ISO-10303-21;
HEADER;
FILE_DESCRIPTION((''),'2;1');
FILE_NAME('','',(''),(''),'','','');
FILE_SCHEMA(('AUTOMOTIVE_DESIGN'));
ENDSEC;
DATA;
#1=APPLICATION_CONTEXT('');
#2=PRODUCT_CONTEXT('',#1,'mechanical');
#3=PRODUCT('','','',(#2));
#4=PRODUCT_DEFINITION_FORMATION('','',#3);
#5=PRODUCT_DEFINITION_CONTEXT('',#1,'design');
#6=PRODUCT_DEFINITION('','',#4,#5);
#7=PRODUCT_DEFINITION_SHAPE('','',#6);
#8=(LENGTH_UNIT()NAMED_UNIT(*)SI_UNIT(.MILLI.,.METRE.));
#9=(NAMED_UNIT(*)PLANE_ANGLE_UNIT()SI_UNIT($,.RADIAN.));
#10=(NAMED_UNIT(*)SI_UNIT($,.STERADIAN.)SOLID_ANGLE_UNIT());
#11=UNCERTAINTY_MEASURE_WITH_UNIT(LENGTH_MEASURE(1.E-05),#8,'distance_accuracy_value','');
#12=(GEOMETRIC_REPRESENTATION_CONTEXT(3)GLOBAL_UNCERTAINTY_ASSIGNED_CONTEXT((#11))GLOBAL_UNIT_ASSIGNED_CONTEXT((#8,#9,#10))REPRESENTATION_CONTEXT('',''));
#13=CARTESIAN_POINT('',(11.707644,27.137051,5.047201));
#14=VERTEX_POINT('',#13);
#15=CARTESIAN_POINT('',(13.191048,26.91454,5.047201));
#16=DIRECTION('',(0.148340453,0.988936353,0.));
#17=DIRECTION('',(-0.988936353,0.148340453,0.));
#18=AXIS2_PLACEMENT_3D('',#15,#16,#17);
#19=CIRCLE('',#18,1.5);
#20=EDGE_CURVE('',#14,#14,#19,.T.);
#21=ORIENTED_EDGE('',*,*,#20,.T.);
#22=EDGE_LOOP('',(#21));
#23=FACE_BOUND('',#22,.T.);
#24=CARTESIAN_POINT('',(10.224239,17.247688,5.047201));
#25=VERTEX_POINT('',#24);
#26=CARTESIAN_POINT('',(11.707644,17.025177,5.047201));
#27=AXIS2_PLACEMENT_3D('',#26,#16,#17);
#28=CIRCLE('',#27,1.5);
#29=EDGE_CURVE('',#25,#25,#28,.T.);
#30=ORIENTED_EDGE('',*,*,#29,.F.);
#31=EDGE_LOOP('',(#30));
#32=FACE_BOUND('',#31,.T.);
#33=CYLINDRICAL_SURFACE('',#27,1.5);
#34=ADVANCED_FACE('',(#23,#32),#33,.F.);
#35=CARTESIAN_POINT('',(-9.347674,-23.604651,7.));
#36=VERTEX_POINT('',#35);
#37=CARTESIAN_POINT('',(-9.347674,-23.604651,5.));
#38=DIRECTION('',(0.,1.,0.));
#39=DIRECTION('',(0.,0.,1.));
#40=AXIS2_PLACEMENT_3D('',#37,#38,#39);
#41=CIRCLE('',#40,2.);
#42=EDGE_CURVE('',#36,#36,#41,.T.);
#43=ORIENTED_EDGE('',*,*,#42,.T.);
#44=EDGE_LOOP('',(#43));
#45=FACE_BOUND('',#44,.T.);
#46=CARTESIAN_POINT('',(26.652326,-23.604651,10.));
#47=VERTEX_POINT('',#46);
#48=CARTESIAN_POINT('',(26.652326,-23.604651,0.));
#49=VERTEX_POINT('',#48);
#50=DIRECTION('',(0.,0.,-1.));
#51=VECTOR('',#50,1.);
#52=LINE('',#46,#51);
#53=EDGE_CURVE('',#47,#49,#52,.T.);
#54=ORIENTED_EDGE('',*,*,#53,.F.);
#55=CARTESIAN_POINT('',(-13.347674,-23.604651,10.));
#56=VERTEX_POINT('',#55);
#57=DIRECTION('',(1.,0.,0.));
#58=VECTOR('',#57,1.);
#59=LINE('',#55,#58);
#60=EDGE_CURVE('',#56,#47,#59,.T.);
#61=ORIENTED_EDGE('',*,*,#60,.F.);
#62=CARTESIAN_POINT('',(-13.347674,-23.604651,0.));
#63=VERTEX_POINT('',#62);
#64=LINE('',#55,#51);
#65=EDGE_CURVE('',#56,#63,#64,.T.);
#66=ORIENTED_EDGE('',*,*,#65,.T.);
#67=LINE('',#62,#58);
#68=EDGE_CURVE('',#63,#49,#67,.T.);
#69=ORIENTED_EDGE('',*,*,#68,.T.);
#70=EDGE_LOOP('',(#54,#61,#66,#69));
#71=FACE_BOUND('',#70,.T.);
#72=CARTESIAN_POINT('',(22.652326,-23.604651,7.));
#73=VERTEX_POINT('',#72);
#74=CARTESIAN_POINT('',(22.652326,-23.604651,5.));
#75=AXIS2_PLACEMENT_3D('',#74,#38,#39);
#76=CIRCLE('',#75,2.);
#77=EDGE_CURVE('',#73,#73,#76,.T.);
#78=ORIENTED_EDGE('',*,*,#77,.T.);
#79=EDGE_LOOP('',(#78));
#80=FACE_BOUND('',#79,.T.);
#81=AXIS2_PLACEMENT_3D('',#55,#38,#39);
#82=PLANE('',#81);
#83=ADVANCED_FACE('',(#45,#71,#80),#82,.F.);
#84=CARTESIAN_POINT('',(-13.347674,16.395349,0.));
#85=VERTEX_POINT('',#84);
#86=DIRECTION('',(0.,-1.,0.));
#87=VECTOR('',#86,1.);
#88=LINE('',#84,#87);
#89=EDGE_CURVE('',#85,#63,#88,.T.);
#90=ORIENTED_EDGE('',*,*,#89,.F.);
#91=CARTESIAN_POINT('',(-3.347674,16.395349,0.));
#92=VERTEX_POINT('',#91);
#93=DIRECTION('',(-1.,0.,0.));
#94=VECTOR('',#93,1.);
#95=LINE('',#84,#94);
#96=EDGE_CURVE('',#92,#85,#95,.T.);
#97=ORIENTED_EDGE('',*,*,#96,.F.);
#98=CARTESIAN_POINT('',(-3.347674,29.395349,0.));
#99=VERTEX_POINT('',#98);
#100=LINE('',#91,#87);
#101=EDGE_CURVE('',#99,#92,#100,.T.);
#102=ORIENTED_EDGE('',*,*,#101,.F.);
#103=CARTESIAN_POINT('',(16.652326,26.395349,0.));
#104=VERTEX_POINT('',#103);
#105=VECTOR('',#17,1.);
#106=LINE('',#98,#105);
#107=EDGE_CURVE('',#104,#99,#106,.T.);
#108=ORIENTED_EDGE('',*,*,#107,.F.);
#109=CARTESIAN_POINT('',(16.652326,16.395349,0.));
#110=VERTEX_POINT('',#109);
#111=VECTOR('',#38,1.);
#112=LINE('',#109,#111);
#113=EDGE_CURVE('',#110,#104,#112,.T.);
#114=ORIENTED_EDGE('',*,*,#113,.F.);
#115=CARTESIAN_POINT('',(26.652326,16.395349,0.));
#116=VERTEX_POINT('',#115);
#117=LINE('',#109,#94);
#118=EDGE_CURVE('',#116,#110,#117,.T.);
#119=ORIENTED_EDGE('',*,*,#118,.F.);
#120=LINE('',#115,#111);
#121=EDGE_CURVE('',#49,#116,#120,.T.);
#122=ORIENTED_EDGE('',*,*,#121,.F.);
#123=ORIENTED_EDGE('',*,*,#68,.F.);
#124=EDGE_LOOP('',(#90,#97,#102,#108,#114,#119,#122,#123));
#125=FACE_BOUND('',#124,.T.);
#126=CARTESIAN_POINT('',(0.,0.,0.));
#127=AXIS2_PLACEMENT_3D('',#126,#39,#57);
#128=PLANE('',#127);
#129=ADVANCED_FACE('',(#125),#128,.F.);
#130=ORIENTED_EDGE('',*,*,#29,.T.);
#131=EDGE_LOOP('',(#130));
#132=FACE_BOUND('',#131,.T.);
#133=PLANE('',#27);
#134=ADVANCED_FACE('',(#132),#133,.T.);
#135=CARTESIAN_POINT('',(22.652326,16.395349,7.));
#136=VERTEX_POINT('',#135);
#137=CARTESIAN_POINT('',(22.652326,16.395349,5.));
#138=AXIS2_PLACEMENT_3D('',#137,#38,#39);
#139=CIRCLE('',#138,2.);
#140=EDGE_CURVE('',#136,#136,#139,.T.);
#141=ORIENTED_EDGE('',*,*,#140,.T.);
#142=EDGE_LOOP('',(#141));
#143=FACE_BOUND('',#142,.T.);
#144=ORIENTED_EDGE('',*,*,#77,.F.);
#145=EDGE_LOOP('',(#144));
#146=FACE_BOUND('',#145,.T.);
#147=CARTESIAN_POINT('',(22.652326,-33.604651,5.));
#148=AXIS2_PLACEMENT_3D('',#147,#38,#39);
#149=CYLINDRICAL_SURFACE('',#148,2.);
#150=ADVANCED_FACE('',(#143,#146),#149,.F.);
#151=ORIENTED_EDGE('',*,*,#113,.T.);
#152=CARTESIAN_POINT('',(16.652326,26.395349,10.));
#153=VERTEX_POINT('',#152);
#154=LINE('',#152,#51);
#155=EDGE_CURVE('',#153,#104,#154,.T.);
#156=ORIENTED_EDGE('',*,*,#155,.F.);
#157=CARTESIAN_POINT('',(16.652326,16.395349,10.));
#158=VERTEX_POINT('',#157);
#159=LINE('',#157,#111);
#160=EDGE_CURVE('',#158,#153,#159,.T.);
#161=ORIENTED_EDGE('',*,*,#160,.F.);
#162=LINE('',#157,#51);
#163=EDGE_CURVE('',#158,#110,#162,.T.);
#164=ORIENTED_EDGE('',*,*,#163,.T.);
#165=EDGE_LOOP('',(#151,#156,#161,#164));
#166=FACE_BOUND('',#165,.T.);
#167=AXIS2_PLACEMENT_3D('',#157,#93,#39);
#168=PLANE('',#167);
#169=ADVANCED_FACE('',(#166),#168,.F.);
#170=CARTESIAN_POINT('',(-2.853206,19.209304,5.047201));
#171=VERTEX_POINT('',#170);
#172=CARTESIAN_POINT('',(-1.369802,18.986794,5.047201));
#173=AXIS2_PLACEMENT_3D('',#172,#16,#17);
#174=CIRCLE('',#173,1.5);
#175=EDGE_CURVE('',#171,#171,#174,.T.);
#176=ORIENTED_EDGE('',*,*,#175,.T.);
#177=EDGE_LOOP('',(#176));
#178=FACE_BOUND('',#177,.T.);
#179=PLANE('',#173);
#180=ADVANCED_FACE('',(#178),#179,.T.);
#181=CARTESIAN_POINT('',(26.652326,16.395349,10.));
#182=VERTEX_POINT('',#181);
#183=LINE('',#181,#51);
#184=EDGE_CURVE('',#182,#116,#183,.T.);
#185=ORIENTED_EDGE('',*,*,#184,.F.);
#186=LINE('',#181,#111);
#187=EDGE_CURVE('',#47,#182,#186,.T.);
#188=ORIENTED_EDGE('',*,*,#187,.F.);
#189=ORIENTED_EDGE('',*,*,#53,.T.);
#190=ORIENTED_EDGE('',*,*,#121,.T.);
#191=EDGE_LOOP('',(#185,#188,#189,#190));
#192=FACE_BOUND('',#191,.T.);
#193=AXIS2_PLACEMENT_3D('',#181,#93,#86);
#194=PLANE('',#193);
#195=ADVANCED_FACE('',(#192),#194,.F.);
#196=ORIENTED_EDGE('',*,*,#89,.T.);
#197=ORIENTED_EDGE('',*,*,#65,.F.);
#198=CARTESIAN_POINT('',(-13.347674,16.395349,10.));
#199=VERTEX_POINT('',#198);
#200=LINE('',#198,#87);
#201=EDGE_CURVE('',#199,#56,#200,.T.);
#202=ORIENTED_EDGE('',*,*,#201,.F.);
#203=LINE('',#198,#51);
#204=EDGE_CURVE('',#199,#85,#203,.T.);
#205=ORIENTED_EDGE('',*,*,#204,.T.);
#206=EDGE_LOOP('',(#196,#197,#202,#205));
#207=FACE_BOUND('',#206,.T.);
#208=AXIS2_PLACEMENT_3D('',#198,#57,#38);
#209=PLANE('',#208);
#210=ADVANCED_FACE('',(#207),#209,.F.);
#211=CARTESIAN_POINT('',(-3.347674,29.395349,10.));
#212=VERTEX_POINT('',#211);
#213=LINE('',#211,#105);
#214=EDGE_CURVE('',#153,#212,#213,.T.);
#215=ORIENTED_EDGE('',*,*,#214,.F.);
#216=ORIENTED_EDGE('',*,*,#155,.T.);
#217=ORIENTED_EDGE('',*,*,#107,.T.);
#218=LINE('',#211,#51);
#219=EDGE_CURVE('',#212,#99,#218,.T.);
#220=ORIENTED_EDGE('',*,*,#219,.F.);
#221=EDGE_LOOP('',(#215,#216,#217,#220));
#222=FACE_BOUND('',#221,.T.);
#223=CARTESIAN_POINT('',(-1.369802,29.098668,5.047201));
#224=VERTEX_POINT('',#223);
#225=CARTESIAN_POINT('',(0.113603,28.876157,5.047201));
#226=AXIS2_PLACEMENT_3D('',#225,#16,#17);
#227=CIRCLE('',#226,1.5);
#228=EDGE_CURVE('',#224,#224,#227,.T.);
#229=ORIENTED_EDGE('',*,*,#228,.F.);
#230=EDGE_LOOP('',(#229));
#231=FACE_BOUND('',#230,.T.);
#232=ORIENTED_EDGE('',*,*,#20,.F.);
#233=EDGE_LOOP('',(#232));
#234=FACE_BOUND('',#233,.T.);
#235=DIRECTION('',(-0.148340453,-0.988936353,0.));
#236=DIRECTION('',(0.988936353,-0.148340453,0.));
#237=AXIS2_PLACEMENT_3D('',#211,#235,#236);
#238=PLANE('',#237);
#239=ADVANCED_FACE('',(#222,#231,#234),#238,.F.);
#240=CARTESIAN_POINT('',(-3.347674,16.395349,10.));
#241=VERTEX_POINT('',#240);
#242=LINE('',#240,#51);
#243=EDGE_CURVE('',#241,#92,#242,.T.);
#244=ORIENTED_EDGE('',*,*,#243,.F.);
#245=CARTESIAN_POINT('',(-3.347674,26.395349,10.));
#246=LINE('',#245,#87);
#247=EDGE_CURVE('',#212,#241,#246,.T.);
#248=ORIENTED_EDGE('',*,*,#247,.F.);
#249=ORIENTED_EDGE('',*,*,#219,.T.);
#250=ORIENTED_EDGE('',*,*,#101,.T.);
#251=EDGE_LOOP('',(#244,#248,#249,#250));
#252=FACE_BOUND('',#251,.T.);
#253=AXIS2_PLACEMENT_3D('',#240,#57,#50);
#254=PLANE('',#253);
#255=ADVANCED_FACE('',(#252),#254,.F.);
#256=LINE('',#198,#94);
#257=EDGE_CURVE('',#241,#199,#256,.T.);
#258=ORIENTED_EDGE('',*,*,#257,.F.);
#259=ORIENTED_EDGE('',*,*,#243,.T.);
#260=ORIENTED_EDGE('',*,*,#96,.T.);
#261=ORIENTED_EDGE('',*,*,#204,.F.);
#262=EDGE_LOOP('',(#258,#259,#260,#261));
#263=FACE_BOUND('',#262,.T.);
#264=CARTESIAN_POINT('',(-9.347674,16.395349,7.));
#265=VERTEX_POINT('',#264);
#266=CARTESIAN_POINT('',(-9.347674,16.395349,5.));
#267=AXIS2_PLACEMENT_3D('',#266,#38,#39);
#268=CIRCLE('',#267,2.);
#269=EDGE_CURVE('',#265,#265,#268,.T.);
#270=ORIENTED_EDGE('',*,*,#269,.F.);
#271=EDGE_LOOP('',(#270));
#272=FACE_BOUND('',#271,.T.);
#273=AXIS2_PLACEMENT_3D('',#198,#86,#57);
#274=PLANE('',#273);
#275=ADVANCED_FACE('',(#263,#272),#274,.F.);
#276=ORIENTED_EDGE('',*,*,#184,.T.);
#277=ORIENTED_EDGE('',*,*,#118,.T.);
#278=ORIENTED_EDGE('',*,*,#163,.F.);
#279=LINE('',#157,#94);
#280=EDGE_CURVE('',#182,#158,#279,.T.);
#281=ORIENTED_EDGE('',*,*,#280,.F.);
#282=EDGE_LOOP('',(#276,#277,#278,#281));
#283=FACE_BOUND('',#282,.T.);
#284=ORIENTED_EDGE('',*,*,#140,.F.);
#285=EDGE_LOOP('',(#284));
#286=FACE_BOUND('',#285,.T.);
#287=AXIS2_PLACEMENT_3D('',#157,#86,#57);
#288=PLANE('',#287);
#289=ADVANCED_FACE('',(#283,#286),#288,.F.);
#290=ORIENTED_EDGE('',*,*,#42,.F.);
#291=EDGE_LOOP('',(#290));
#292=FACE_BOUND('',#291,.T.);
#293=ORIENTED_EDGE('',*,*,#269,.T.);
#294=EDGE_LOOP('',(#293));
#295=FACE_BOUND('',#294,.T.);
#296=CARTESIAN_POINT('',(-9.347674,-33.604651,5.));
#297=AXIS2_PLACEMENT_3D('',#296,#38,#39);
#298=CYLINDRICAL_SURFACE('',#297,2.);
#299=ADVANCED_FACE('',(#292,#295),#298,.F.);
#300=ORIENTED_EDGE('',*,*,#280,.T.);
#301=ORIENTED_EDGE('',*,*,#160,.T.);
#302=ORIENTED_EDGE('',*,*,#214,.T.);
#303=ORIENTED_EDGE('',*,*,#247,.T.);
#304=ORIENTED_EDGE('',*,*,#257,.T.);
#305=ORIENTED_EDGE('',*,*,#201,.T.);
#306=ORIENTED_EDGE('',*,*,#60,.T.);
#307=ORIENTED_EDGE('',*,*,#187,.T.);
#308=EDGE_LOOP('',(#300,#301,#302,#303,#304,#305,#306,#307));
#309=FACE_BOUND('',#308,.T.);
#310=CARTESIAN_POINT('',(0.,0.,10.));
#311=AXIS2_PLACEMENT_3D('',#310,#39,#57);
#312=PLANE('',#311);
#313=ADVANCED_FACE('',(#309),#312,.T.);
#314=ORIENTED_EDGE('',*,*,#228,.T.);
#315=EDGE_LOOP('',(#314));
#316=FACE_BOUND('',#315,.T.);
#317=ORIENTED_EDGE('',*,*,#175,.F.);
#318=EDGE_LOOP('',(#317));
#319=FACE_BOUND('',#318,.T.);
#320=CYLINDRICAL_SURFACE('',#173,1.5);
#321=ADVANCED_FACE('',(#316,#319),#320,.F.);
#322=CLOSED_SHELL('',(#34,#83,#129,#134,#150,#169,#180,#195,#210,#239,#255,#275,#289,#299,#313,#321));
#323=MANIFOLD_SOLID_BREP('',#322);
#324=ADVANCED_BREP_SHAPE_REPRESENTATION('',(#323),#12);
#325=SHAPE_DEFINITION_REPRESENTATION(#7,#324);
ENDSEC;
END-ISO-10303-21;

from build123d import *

# Parameters (mm, degrees)
BOSS_EXTRU_1_DEPTH      = 10
ESQUISSE4_R             = 1.5
ENL_V_MAT_EXTRU_3_DEPTH = 10
ESQUISSE2_R             = 2
ENL_V_MAT_EXTRU_4_DEPTH = 50


with BuildPart() as part:
    # Esquisse1 → Boss.-Extru.1 (new body)
    with BuildSketch(Plane.XY):
        Polygon((-13.347674419, 16.395348837), (-3.347674419, 16.395348837), (-3.347674419, 26.395348837), (-3.347674419, 29.395348837), (16.652325581, 26.395348837), (16.652325581, 16.395348837), (26.652325581, 16.395348837), (26.652325581, -23.604651163), (-13.347674419, -23.604651163), align=None)
    extrude(amount=BOSS_EXTRU_1_DEPTH)

    # Esquisse4 → Enlèv. mat.-Extru.3 (cut)
    with BuildSketch(Plane(origin=(4.238610906, 28.257406039, 0), x_dir=(0.988936353, -0.148340453, 0), z_dir=(0.148340453, 0.988936353, 0))):
        with Locations((-4.171156291, -5.047200532)):
            Circle(ESQUISSE4_R)
        with Locations((9.052592125, -5.047200532)):
            Circle(ESQUISSE4_R)
    extrude(amount=-ENL_V_MAT_EXTRU_3_DEPTH, mode=Mode.SUBTRACT)

    # Esquisse2 → Enlèv. mat.-Extru.4 (cut)
    with BuildSketch(Plane(origin=(0, 16.395348837, 0), x_dir=(1, 0, 0), z_dir=(0, 1, 0))):
        with Locations((22.652325581, -5)):
            Circle(ESQUISSE2_R)
        with Locations((-9.347674419, -5)):
            Circle(ESQUISSE2_R)
    extrude(amount=-ENL_V_MAT_EXTRU_4_DEPTH, mode=Mode.SUBTRACT)


solid = part.part
